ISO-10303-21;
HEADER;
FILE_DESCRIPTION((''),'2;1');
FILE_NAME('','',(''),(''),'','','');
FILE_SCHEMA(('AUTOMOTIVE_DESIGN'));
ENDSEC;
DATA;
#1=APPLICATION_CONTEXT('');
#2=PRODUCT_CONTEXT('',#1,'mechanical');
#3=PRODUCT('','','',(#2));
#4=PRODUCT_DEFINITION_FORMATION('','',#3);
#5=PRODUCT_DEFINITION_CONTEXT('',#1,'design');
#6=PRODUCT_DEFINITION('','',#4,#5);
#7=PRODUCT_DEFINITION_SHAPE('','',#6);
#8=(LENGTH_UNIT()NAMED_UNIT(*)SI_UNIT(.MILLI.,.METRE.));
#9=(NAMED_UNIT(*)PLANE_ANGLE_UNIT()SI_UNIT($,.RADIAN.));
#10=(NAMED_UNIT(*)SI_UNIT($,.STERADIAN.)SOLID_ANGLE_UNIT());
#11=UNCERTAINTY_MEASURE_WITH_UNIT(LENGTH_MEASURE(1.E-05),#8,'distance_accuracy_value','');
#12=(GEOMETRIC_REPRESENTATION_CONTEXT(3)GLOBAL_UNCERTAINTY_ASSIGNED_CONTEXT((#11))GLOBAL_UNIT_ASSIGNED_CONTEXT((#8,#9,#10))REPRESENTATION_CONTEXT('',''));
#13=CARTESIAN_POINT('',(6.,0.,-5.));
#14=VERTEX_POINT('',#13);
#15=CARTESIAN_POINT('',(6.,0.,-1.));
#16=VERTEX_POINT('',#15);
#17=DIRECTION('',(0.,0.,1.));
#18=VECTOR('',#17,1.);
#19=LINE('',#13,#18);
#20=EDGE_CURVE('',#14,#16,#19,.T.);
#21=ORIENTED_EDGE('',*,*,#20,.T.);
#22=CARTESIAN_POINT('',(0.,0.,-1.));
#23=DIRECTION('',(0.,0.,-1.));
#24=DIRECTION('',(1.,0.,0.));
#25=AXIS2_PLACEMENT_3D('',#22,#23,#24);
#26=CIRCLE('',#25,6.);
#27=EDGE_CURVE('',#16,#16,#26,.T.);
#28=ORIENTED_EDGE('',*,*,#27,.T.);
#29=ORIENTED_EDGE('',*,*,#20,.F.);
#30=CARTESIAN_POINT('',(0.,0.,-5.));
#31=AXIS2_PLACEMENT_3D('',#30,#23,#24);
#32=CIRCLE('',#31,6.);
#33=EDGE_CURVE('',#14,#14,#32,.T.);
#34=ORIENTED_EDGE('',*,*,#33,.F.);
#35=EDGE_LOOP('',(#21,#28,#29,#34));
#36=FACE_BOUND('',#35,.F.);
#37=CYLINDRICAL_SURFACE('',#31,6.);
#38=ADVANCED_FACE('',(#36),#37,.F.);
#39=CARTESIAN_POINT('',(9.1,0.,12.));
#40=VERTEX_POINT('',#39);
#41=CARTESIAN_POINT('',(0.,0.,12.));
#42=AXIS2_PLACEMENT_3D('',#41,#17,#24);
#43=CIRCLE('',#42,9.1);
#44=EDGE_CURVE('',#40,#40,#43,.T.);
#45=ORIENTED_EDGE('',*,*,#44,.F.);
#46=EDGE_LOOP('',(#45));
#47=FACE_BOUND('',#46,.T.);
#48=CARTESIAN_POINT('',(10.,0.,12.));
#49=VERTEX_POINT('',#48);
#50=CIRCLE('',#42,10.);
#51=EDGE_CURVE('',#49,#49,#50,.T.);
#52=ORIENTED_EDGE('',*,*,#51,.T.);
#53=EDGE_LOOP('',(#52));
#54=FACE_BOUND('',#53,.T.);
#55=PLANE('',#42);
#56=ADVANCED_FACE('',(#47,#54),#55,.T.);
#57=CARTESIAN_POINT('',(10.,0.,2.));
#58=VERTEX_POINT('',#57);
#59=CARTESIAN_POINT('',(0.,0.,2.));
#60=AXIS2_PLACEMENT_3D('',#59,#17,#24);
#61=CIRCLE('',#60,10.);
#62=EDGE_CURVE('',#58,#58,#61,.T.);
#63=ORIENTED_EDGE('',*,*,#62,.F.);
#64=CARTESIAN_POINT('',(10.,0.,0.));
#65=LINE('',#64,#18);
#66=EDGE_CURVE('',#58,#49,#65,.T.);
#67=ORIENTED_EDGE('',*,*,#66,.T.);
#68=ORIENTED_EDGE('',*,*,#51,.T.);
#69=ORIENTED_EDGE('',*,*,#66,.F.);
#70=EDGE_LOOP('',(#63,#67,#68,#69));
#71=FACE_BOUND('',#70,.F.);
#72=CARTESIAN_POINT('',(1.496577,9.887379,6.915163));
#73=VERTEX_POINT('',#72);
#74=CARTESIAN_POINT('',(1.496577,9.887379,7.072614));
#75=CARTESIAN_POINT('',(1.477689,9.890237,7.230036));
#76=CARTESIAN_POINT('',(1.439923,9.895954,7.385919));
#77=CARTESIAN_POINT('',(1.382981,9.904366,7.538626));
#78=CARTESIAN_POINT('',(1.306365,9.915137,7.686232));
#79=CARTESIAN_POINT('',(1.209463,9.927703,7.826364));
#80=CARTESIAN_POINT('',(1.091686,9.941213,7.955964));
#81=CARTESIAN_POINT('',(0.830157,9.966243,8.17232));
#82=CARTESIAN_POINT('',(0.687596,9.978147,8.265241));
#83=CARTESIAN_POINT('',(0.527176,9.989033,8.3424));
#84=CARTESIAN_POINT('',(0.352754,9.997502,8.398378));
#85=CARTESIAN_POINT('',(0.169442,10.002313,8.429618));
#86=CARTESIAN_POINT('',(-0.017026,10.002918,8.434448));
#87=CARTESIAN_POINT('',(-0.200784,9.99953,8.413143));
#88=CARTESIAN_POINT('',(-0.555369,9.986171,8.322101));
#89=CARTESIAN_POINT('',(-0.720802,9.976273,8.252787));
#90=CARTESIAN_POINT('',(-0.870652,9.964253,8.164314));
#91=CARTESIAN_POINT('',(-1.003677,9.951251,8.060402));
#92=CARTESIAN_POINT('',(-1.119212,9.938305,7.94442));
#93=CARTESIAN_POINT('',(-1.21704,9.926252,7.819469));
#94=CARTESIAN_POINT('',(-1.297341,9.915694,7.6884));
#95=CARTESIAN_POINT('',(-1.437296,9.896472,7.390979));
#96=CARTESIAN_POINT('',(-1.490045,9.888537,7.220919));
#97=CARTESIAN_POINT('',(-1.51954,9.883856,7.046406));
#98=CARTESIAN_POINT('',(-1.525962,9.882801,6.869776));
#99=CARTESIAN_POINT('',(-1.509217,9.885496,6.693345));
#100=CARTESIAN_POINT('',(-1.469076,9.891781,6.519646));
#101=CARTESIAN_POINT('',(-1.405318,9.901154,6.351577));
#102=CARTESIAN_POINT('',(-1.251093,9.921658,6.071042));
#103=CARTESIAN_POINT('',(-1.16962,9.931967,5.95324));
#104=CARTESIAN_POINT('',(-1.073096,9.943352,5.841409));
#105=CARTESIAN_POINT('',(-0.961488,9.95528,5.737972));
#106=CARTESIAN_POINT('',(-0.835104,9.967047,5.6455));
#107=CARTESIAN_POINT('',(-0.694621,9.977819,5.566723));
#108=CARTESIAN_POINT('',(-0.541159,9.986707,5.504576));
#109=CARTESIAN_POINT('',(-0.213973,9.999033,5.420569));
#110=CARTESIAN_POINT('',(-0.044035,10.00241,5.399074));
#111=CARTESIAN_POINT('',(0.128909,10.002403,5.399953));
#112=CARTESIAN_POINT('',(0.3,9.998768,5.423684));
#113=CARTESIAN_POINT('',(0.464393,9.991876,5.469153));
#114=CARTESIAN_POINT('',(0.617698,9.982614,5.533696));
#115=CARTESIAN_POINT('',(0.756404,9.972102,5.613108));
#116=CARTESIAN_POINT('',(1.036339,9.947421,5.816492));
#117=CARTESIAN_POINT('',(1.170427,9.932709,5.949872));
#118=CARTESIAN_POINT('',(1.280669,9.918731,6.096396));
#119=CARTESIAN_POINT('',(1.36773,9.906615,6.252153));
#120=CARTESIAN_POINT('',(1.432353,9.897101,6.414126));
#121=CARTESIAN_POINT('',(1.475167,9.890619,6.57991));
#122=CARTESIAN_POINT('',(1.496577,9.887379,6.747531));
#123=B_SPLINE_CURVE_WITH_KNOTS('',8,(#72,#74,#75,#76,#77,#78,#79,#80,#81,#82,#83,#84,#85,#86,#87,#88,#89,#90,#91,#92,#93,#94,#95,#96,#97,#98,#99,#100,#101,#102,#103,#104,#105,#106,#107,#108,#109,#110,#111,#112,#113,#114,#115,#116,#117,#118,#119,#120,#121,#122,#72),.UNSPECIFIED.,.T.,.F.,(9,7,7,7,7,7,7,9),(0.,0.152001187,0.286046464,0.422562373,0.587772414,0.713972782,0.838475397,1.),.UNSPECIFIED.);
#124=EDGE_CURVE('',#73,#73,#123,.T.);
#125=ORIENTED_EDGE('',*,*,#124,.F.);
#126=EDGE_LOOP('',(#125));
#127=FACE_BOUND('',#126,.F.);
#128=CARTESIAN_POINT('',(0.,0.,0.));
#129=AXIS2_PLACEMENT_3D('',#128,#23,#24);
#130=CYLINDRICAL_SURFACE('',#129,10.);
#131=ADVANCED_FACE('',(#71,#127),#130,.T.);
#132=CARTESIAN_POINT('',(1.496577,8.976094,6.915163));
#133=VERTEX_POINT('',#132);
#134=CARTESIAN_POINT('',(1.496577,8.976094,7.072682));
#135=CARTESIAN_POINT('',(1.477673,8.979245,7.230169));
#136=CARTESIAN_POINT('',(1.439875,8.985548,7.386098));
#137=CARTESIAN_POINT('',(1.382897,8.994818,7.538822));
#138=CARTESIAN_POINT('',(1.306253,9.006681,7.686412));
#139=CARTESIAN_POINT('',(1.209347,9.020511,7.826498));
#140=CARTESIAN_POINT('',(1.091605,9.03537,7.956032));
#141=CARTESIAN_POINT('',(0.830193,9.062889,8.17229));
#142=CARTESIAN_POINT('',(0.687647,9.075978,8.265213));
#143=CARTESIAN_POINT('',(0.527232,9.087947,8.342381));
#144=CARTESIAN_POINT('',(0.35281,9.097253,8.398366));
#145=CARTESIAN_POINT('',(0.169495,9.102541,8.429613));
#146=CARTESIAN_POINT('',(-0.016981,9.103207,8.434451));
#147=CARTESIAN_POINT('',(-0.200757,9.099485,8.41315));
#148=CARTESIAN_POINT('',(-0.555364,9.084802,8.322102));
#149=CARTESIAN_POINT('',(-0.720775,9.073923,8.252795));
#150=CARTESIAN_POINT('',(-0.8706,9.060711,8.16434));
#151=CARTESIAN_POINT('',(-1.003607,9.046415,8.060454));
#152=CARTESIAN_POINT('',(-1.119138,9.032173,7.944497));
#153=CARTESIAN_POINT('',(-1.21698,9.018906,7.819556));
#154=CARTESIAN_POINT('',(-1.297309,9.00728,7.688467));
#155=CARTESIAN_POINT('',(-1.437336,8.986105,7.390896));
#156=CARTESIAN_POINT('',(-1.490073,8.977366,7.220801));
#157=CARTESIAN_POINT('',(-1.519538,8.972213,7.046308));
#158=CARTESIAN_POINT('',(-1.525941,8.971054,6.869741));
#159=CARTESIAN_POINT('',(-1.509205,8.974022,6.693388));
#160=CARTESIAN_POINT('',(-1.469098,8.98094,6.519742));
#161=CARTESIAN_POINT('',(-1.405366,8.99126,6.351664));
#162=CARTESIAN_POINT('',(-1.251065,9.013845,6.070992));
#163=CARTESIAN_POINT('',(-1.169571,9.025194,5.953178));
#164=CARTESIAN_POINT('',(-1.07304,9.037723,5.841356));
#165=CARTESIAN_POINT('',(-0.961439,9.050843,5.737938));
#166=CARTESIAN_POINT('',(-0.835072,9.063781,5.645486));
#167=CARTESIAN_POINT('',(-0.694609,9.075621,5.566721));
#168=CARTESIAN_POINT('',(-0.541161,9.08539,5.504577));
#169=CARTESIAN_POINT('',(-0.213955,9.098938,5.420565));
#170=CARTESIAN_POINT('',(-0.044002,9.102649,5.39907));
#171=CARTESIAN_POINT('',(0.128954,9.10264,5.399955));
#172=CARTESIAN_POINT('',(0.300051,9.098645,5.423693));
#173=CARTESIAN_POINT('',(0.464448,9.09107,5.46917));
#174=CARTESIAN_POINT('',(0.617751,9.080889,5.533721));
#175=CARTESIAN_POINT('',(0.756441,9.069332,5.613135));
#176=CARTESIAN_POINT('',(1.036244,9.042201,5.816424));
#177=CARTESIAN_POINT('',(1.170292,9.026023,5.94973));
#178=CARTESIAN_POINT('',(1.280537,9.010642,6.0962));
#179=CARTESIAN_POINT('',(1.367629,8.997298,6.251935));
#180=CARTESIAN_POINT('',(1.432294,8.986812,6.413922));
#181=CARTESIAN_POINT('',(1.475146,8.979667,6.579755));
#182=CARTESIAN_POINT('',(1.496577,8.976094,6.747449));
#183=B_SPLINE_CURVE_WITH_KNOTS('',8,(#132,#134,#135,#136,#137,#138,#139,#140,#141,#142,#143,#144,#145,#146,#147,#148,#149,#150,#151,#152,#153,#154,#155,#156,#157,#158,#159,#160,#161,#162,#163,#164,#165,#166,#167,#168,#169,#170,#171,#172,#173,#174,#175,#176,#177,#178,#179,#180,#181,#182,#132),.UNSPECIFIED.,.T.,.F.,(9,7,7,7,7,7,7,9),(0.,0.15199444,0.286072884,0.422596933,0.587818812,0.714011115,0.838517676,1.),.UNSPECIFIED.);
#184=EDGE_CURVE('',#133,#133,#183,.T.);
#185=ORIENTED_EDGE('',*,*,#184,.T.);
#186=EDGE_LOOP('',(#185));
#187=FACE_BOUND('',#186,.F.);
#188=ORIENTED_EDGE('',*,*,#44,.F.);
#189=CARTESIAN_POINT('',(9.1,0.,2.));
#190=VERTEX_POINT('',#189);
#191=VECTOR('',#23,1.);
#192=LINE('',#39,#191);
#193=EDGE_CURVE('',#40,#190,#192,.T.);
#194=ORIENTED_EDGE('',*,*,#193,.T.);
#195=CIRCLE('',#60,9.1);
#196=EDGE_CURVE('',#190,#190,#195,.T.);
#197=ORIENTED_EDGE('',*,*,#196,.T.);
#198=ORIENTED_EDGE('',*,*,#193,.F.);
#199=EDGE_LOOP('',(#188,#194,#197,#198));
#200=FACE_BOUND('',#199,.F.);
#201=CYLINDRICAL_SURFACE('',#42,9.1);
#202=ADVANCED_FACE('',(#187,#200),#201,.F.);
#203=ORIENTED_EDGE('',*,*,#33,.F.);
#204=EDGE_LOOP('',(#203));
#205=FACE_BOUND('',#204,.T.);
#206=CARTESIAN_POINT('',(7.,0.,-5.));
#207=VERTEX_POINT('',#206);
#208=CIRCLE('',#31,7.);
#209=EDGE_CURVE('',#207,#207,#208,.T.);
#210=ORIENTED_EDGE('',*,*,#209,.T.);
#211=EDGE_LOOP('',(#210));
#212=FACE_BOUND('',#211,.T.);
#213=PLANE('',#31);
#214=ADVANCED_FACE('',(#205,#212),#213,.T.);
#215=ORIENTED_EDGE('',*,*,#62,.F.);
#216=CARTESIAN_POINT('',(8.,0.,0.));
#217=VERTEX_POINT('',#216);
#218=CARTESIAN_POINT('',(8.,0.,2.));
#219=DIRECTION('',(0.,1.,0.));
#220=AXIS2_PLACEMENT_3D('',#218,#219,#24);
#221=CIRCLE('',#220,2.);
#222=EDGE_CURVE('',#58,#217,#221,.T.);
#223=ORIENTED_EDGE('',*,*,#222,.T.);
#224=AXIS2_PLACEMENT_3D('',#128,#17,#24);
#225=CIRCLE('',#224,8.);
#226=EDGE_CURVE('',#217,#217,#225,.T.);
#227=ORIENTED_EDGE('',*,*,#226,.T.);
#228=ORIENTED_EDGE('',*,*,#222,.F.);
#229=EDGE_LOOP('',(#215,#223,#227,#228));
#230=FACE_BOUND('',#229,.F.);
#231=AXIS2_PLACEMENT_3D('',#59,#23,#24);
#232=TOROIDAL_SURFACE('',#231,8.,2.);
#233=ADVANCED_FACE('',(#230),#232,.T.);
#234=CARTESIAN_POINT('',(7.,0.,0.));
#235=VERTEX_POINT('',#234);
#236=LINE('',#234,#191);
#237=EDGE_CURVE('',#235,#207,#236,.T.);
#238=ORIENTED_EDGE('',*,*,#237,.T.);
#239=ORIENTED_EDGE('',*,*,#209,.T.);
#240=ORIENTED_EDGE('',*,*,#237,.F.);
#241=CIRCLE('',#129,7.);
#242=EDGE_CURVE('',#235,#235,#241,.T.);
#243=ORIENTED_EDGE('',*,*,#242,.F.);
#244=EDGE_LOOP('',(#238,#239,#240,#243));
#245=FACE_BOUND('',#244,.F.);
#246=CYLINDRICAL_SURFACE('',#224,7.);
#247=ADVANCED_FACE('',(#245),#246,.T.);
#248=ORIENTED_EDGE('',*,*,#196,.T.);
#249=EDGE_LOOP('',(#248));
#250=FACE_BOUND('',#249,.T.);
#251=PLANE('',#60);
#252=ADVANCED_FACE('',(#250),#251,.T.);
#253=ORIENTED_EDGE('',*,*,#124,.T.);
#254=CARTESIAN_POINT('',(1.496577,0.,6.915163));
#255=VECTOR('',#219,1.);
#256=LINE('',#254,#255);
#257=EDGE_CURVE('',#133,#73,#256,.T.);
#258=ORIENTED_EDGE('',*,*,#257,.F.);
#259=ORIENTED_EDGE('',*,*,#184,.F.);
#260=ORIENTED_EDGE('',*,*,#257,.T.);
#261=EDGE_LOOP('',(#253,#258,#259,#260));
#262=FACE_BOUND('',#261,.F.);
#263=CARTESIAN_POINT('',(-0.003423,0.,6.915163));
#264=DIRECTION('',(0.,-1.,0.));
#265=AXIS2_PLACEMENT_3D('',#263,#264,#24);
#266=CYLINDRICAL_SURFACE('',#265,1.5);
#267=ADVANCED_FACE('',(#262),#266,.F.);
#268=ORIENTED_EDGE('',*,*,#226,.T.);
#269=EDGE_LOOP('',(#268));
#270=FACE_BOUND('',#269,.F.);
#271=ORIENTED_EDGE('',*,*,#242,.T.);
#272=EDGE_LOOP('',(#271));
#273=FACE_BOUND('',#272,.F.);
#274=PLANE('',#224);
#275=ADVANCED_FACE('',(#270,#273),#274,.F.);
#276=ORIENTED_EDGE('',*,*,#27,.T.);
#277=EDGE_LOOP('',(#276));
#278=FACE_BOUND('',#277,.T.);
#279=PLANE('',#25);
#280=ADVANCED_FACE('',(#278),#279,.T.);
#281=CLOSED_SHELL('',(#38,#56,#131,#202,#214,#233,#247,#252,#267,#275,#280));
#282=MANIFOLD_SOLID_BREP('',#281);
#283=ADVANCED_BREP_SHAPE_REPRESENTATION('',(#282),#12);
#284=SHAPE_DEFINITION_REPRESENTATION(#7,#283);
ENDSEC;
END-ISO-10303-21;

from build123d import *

# Parameters (mm, degrees)
SKETCH_R        = 10
PAD_DEPTH       = 12
SKETCH001_R     = 9.1
POCKET_DEPTH    = 10
SKETCH002_R     = 7
PAD001_DEPTH    = 5
SKETCH003_R     = 6
POCKET001_DEPTH = 4
FILLET_R        = 2
SKETCH004_R     = 1.5
POCKET002_DEPTH = 11


with BuildPart() as part:
    # Sketch → Pad (new body)
    with BuildSketch(Plane.XY):
        Circle(SKETCH_R)
    extrude(amount=PAD_DEPTH)

    # Sketch001 (on Face3 of Pad) → Pocket (cut)
    with BuildSketch(Plane.XY.offset(12)):
        Circle(SKETCH001_R)
    extrude(amount=-POCKET_DEPTH, mode=Mode.SUBTRACT)

    # Sketch002 (on Face2 of Pocket) → Pad001 (join)
    with BuildSketch(Plane(origin=(0, 0, 0), x_dir=(1, 0, 0), z_dir=(0, 0, -1))):
        Circle(SKETCH002_R)
    extrude(amount=PAD001_DEPTH)

    # Sketch003 (on Face6 of Pad001) → Pocket001 (cut)
    with BuildSketch(Plane(origin=(0, 0, -5), x_dir=(1, 0, 0), z_dir=(0, 0, -1))):
        Circle(SKETCH003_R)
    extrude(amount=-POCKET001_DEPTH, mode=Mode.SUBTRACT)

    # Fillet
    fillet_edges = [part.edges().sort_by_distance(p)[0] for p in [
        (-10, 0, 0),
    ]]
    fillet(fillet_edges, radius=FILLET_R)

    # Sketch004 → Pocket002 (cut)
    with BuildSketch(Plane.XZ):
        with Locations((-0.003423, 6.915163)):
            Circle(SKETCH004_R)
    extrude(amount=-POCKET002_DEPTH, mode=Mode.SUBTRACT)


solid = part.part
